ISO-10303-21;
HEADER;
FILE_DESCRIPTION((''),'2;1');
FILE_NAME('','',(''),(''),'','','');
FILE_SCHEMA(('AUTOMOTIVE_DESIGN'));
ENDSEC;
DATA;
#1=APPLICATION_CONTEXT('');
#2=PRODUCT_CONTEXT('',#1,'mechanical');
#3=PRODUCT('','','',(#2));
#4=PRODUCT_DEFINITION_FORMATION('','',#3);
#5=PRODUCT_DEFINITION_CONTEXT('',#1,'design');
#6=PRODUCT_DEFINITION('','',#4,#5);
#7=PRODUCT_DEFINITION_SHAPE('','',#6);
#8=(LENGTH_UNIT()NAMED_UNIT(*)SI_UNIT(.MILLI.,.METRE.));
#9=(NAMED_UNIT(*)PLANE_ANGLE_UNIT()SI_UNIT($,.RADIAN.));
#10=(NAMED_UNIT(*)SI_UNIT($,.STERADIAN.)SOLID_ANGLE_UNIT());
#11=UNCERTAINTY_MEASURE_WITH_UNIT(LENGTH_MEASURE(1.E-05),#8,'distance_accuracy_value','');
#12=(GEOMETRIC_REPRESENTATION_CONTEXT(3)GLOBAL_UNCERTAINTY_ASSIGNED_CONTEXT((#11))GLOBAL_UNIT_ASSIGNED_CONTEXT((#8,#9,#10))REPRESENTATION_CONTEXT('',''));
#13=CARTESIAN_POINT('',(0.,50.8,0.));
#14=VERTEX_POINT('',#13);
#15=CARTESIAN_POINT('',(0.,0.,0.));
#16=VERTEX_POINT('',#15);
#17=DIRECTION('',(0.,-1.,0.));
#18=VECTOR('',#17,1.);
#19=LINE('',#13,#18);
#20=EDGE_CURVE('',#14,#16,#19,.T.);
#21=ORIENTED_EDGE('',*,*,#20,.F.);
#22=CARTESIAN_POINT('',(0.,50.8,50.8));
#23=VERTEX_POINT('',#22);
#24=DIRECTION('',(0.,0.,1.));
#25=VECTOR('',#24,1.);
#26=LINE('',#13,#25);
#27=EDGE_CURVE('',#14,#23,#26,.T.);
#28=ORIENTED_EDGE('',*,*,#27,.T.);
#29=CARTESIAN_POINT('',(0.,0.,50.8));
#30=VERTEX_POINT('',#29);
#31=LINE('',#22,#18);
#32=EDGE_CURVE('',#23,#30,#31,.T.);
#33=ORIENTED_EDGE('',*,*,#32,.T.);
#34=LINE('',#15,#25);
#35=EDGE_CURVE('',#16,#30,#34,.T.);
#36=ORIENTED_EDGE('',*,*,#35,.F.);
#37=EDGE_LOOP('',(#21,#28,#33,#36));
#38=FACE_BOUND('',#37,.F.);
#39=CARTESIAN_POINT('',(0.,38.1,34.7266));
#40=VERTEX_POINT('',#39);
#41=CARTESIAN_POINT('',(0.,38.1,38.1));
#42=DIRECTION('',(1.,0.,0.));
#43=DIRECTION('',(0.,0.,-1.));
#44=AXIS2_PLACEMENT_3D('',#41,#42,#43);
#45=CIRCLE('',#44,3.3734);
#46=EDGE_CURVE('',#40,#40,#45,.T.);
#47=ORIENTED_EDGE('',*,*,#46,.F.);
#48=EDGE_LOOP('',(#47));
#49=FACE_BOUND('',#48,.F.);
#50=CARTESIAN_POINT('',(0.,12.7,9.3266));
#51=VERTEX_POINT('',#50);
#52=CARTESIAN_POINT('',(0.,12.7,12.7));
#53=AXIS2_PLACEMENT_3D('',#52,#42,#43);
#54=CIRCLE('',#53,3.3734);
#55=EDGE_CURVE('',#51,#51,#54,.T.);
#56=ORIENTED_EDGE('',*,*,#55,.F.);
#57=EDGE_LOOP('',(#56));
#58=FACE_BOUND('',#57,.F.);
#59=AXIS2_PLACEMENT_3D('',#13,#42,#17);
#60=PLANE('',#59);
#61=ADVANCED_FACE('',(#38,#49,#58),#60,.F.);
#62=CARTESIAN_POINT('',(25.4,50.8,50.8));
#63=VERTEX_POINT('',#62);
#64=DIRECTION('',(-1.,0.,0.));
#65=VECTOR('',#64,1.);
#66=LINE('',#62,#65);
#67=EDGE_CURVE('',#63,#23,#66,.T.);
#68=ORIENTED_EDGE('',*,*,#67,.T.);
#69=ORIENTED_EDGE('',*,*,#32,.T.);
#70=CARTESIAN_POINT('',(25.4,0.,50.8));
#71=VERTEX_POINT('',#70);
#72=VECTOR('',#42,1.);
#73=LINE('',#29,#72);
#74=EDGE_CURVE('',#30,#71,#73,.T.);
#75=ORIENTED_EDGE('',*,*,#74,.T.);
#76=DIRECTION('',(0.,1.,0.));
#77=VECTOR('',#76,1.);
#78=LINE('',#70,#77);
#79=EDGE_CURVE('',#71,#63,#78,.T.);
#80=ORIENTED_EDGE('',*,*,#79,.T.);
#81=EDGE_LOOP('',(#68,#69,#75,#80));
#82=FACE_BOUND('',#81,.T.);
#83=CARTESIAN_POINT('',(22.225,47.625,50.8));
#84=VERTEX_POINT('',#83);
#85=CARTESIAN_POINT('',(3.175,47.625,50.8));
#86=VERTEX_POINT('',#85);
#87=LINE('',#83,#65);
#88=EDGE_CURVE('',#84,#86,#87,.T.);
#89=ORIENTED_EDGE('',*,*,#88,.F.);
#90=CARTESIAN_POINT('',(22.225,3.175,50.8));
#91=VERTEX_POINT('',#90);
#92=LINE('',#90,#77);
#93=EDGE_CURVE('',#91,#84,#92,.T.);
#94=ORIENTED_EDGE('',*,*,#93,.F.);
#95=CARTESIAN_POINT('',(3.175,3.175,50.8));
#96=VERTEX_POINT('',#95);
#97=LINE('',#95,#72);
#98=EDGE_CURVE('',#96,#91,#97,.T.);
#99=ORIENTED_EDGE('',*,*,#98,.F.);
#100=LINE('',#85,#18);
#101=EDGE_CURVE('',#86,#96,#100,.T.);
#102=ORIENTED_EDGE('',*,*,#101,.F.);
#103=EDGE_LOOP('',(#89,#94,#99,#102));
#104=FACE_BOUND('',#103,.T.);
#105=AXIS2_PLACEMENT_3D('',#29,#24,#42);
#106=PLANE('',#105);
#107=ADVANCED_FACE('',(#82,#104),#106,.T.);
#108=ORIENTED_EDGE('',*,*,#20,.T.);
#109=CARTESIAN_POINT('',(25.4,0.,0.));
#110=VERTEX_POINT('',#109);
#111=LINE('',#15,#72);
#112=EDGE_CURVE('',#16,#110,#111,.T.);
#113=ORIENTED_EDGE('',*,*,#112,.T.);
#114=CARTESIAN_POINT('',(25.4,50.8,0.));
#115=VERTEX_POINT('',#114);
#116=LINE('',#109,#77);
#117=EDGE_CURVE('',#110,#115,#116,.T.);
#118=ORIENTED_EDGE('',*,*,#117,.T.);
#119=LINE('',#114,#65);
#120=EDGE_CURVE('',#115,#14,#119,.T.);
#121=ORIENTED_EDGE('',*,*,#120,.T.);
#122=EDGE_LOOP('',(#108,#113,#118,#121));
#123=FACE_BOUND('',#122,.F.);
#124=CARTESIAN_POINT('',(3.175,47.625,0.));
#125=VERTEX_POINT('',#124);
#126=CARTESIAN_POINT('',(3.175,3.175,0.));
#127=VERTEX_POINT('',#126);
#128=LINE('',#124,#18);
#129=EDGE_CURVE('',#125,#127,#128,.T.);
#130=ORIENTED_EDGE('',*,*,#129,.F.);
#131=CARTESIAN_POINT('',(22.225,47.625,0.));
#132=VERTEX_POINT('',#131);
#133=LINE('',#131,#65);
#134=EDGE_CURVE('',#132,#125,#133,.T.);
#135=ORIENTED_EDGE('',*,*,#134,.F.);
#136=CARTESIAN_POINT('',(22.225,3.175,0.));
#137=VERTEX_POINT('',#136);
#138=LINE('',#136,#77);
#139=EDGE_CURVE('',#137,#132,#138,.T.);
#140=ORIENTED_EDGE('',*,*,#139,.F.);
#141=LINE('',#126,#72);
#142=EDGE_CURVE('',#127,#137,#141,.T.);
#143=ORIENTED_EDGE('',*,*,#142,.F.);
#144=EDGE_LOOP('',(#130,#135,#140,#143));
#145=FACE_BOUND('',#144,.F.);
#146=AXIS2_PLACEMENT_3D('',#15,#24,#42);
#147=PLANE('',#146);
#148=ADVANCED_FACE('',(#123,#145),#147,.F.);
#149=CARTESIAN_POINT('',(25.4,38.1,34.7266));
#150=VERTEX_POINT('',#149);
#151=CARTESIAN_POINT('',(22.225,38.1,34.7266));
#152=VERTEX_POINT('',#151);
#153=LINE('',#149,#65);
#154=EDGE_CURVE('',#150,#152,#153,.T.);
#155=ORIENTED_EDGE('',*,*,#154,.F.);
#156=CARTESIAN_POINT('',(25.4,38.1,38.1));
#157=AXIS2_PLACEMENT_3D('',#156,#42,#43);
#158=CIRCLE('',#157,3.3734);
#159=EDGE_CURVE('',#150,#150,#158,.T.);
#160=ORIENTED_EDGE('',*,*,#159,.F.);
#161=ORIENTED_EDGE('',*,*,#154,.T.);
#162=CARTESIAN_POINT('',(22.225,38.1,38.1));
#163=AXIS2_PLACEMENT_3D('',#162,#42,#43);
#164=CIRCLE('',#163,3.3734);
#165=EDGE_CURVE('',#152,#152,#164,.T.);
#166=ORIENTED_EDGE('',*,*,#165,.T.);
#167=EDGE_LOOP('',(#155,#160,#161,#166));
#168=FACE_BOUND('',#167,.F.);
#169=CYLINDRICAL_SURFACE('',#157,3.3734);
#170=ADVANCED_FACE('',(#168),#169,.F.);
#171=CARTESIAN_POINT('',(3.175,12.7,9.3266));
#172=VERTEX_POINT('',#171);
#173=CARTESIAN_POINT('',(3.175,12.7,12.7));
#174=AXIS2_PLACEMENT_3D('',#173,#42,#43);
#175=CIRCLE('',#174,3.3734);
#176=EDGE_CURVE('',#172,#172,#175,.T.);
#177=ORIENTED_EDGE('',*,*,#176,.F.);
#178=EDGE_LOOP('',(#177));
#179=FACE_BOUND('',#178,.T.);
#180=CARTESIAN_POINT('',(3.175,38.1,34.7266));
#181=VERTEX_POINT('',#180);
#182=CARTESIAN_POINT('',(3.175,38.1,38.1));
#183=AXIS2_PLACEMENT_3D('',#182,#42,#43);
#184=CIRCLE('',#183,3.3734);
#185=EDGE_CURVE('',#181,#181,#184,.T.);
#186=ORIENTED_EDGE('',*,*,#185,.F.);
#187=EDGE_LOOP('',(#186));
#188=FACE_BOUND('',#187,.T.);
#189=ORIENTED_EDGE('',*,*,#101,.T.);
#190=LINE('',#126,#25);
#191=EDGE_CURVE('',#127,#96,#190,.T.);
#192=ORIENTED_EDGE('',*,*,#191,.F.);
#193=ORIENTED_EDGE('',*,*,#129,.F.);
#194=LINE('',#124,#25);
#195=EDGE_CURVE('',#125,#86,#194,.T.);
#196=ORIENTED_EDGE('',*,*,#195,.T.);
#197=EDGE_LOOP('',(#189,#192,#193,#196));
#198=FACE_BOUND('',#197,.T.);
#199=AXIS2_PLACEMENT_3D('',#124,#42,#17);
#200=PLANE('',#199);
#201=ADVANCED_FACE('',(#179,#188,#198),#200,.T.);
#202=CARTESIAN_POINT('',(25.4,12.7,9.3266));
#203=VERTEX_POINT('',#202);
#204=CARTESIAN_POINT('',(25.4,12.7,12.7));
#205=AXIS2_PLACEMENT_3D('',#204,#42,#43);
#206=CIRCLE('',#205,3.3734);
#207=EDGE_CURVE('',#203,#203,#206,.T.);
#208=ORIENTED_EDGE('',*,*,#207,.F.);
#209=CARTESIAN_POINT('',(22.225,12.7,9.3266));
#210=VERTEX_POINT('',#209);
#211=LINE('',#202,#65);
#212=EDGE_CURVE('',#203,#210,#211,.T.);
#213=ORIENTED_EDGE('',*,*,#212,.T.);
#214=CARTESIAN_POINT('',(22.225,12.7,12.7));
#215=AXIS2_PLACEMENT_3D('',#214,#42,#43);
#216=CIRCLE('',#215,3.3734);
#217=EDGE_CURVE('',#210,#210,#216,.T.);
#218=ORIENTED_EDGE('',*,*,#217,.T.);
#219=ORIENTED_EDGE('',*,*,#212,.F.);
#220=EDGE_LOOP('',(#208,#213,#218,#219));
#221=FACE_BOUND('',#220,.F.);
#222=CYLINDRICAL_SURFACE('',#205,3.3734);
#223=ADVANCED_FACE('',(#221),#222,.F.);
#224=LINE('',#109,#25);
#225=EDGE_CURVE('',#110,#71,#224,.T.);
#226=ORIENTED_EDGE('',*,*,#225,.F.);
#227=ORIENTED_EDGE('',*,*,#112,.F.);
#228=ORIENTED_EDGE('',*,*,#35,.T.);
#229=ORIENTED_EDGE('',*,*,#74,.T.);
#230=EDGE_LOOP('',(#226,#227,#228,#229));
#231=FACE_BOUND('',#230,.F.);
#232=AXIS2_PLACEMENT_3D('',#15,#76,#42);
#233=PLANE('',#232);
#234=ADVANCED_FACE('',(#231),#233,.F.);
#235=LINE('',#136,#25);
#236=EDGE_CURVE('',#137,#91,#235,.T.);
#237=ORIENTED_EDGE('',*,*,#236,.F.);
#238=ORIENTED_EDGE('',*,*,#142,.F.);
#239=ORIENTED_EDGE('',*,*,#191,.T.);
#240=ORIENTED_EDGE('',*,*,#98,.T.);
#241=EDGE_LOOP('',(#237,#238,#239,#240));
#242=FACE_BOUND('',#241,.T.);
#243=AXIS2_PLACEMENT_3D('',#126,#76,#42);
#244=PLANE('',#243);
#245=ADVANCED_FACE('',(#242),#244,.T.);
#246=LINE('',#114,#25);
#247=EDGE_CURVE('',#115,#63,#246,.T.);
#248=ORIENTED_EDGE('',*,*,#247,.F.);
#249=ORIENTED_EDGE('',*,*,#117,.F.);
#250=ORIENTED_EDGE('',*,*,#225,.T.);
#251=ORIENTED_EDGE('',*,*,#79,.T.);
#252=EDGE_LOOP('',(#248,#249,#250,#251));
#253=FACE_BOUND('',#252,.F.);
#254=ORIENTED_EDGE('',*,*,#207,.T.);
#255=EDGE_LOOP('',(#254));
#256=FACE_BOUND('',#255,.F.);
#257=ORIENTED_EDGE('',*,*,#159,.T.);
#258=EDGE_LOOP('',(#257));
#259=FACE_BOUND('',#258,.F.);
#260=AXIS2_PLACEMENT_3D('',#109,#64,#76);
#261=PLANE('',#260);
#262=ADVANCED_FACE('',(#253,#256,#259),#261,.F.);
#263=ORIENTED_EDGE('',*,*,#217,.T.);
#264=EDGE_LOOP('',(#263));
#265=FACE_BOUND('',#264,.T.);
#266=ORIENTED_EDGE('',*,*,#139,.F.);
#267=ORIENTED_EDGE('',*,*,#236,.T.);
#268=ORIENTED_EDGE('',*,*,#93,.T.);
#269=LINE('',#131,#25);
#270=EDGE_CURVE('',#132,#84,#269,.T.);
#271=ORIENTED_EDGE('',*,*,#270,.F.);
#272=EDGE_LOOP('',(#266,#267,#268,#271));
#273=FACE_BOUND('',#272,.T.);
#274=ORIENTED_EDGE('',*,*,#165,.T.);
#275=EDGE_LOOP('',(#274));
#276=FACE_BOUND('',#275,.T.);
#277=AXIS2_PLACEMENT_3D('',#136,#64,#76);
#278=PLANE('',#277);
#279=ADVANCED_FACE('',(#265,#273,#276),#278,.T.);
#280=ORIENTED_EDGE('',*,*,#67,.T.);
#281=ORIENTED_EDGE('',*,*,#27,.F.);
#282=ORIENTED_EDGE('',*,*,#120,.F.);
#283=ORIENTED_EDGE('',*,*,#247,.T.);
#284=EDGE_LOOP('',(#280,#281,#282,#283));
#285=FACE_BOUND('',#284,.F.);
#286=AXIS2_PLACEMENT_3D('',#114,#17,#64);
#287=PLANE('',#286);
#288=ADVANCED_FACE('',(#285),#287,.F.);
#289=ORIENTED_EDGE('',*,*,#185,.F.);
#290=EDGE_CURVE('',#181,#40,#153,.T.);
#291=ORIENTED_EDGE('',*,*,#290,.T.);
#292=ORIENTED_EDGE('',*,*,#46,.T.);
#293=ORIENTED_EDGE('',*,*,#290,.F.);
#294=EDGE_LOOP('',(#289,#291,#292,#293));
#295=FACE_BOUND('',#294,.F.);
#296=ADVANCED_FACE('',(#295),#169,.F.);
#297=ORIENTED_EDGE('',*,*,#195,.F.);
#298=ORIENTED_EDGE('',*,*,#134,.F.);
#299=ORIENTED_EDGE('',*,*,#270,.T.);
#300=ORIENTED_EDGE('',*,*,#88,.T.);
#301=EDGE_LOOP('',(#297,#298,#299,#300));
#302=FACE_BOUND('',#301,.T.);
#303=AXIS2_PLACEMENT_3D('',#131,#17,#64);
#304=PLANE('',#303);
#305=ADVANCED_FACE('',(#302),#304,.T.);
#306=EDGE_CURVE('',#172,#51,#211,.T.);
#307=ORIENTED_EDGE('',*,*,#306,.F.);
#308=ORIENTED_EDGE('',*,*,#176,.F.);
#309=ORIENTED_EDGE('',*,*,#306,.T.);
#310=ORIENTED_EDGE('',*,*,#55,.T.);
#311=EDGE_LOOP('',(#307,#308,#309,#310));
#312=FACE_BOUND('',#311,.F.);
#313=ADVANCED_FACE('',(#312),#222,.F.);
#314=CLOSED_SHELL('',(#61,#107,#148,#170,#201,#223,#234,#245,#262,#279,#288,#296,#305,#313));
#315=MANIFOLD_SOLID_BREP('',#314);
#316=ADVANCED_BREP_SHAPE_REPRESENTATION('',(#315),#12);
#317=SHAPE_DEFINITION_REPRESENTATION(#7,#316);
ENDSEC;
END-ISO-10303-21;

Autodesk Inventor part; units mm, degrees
ref_plane "YZ Plane" through (0, 0, 0) normal (1, 0, 0) x (0, 1, 0)
ref_plane "XZ Plane" through (0, 0, 0) normal (0, 1, 0) x (-1, 0, 0)
ref_plane "XY Plane" through (0, 0, 0) normal (0, 0, 1) x (1, 0, 0)
sketch "Sketch1" plane through (0, 0, 0) normal (0, 0, 1) x (1, 0, 0)
  line L0 (0, 0) -> (25.4, 0)
  line L1 (25.4, 0) -> (25.4, 50.8)
  line L2 (25.4, 50.8) -> (0, 50.8)
  line L3 (0, 50.8) -> (0, 0)
  line L4 (3.175, 3.175) -> (22.225, 3.175)
  line L5 (22.225, 3.175) -> (22.225, 47.625)
  line L6 (22.225, 47.625) -> (3.175, 47.625)
  line L7 (3.175, 47.625) -> (3.175, 3.175)
  dimension "d0" = 25.4
  dimension "d1" = 50.8
  dimension "d2" = 3.175
extrude "Extrusion1" add sketch "Sketch1" along normal blind 50.8
sketch "Sketch2" plane through (25.4, 0, 0) normal (1, 0, 0) x (0, 0, -1)
  circle A0 centre (-38.1, 38.1) radius 3.3734
  circle A1 centre (-12.7, 12.7) radius 3.3734
  line L0 (-50.8, 0) -> (-50.8, 50.8) projected
  line L1 (0, 50.8) -> (-50.8, 50.8) projected
  line L2 (0, 0) -> (0, 50.8) projected
  line L3 (0, 0) -> (-50.8, 0) projected
  dimension "d5" = 6.7469
  dimension "d6" = 6.7469
  dimension "d7" = 12.7
  dimension "d8" = 12.7
  dimension "d9" = 12.7
  dimension "d10" = 12.7
extrude "Extrusion2" cut sketch "Sketch2" against normal blind 25.4 contours A0 | A1
properties part number "2nd flywheel block"
